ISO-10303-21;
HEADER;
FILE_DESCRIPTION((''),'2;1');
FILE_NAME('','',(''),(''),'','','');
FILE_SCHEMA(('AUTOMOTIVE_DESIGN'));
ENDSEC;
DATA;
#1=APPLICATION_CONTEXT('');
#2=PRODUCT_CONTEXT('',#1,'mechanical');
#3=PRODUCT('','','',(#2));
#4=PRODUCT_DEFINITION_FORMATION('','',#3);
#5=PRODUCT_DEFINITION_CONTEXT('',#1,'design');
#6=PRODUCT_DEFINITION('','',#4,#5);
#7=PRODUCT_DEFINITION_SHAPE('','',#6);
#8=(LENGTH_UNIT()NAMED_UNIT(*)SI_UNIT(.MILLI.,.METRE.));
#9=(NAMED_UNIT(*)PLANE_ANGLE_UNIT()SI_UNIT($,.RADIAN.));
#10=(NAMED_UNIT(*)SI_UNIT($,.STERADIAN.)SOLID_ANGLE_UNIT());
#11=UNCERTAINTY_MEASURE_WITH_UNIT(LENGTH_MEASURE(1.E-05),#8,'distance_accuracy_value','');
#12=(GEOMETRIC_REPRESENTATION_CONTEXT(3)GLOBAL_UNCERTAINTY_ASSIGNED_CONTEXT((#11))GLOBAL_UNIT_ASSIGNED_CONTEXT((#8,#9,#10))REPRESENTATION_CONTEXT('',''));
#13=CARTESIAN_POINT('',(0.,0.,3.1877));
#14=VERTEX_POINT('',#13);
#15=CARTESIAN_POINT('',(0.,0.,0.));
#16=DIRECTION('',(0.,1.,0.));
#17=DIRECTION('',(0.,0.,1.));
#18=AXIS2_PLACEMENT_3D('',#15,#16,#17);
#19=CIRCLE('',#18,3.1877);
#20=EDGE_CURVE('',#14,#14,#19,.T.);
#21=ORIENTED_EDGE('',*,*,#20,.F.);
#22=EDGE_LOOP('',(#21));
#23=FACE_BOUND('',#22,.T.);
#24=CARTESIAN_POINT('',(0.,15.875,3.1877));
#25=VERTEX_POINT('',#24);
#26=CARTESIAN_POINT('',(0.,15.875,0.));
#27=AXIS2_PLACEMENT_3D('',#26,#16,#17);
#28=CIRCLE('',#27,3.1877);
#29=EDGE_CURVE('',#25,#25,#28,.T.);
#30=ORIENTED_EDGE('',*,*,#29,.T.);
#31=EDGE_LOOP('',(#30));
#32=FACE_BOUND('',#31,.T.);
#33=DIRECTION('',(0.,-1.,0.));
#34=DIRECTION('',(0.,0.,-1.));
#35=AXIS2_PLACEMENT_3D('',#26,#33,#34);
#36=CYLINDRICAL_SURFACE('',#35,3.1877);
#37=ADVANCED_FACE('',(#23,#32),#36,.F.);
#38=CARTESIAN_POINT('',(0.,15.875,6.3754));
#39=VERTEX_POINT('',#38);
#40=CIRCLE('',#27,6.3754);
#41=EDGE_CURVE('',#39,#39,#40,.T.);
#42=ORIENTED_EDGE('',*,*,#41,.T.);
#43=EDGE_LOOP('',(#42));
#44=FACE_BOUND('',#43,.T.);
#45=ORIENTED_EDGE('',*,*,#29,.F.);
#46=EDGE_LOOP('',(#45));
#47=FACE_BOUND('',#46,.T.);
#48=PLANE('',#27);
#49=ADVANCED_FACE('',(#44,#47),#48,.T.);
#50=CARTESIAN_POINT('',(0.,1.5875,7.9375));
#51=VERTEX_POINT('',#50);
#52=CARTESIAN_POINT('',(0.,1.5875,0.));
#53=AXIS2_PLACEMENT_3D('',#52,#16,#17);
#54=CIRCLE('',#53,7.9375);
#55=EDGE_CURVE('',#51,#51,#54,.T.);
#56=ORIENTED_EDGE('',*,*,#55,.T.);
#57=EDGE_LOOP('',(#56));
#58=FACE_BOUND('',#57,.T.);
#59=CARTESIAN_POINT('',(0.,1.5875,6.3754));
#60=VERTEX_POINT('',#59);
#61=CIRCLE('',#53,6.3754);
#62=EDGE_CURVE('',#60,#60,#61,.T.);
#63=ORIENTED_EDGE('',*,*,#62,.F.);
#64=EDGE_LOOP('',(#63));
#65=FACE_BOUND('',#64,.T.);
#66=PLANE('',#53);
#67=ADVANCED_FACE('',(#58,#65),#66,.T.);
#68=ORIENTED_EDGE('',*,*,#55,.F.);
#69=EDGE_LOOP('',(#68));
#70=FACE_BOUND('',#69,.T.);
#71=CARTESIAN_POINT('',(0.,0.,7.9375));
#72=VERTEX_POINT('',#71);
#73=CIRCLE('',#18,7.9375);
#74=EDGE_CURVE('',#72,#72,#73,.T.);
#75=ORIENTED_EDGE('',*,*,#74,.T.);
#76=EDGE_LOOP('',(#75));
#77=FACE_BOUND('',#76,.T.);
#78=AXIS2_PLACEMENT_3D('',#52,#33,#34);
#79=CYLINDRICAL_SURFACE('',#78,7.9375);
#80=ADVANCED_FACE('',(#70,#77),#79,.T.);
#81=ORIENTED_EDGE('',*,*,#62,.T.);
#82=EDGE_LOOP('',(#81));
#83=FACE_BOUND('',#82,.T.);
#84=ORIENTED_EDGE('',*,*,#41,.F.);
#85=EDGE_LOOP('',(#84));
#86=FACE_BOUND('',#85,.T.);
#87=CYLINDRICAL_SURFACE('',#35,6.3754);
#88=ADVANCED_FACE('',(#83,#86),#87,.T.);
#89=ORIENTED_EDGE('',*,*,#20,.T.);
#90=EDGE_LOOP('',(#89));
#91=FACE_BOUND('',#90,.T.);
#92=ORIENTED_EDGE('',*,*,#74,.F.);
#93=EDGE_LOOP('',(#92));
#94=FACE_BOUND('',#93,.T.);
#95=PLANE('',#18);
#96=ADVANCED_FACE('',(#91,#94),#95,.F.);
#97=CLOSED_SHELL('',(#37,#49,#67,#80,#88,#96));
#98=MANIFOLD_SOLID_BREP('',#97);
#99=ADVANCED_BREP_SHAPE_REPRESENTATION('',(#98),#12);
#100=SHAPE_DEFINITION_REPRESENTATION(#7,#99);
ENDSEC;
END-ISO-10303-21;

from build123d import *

# Parameters (mm, degrees)
SKETCH2_R           = 6.3754
SKETCH2_R_2         = 3.1877
BOSS_EXTRUDE1_DEPTH = 15.875
SKETCH3_R           = 7.9375
SKETCH3_R_2         = 6.3754
BOSS_EXTRUDE2_DEPTH = 1.5875


with BuildPart() as part:
    # Sketch2 → Boss-Extrude1 (new body)
    with BuildSketch(Plane(origin=(0, 0, 0), x_dir=(1, 0, 0), z_dir=(0, 1, 0))):
        with Locations(Location((0, 0, 0), (0, 0, 270))):
            Circle(SKETCH2_R)
        with Locations(Location((0, 0, 0), (0, 0, 270))):
            Circle(SKETCH2_R_2, mode=Mode.SUBTRACT)
    extrude(amount=BOSS_EXTRUDE1_DEPTH)

    # Sketch3 → Boss-Extrude2 (add)
    with BuildSketch(Plane(origin=(0, 0, 0), x_dir=(1, 0, 0), z_dir=(0, 1, 0))):
        with Locations(Location((0, 0, 0), (0, 0, 270))):
            Circle(SKETCH3_R)
        with Locations(Location((0, 0, 0), (0, 0, 270))):
            Circle(SKETCH3_R_2, mode=Mode.SUBTRACT)
    extrude(amount=BOSS_EXTRUDE2_DEPTH)


solid = part.part
